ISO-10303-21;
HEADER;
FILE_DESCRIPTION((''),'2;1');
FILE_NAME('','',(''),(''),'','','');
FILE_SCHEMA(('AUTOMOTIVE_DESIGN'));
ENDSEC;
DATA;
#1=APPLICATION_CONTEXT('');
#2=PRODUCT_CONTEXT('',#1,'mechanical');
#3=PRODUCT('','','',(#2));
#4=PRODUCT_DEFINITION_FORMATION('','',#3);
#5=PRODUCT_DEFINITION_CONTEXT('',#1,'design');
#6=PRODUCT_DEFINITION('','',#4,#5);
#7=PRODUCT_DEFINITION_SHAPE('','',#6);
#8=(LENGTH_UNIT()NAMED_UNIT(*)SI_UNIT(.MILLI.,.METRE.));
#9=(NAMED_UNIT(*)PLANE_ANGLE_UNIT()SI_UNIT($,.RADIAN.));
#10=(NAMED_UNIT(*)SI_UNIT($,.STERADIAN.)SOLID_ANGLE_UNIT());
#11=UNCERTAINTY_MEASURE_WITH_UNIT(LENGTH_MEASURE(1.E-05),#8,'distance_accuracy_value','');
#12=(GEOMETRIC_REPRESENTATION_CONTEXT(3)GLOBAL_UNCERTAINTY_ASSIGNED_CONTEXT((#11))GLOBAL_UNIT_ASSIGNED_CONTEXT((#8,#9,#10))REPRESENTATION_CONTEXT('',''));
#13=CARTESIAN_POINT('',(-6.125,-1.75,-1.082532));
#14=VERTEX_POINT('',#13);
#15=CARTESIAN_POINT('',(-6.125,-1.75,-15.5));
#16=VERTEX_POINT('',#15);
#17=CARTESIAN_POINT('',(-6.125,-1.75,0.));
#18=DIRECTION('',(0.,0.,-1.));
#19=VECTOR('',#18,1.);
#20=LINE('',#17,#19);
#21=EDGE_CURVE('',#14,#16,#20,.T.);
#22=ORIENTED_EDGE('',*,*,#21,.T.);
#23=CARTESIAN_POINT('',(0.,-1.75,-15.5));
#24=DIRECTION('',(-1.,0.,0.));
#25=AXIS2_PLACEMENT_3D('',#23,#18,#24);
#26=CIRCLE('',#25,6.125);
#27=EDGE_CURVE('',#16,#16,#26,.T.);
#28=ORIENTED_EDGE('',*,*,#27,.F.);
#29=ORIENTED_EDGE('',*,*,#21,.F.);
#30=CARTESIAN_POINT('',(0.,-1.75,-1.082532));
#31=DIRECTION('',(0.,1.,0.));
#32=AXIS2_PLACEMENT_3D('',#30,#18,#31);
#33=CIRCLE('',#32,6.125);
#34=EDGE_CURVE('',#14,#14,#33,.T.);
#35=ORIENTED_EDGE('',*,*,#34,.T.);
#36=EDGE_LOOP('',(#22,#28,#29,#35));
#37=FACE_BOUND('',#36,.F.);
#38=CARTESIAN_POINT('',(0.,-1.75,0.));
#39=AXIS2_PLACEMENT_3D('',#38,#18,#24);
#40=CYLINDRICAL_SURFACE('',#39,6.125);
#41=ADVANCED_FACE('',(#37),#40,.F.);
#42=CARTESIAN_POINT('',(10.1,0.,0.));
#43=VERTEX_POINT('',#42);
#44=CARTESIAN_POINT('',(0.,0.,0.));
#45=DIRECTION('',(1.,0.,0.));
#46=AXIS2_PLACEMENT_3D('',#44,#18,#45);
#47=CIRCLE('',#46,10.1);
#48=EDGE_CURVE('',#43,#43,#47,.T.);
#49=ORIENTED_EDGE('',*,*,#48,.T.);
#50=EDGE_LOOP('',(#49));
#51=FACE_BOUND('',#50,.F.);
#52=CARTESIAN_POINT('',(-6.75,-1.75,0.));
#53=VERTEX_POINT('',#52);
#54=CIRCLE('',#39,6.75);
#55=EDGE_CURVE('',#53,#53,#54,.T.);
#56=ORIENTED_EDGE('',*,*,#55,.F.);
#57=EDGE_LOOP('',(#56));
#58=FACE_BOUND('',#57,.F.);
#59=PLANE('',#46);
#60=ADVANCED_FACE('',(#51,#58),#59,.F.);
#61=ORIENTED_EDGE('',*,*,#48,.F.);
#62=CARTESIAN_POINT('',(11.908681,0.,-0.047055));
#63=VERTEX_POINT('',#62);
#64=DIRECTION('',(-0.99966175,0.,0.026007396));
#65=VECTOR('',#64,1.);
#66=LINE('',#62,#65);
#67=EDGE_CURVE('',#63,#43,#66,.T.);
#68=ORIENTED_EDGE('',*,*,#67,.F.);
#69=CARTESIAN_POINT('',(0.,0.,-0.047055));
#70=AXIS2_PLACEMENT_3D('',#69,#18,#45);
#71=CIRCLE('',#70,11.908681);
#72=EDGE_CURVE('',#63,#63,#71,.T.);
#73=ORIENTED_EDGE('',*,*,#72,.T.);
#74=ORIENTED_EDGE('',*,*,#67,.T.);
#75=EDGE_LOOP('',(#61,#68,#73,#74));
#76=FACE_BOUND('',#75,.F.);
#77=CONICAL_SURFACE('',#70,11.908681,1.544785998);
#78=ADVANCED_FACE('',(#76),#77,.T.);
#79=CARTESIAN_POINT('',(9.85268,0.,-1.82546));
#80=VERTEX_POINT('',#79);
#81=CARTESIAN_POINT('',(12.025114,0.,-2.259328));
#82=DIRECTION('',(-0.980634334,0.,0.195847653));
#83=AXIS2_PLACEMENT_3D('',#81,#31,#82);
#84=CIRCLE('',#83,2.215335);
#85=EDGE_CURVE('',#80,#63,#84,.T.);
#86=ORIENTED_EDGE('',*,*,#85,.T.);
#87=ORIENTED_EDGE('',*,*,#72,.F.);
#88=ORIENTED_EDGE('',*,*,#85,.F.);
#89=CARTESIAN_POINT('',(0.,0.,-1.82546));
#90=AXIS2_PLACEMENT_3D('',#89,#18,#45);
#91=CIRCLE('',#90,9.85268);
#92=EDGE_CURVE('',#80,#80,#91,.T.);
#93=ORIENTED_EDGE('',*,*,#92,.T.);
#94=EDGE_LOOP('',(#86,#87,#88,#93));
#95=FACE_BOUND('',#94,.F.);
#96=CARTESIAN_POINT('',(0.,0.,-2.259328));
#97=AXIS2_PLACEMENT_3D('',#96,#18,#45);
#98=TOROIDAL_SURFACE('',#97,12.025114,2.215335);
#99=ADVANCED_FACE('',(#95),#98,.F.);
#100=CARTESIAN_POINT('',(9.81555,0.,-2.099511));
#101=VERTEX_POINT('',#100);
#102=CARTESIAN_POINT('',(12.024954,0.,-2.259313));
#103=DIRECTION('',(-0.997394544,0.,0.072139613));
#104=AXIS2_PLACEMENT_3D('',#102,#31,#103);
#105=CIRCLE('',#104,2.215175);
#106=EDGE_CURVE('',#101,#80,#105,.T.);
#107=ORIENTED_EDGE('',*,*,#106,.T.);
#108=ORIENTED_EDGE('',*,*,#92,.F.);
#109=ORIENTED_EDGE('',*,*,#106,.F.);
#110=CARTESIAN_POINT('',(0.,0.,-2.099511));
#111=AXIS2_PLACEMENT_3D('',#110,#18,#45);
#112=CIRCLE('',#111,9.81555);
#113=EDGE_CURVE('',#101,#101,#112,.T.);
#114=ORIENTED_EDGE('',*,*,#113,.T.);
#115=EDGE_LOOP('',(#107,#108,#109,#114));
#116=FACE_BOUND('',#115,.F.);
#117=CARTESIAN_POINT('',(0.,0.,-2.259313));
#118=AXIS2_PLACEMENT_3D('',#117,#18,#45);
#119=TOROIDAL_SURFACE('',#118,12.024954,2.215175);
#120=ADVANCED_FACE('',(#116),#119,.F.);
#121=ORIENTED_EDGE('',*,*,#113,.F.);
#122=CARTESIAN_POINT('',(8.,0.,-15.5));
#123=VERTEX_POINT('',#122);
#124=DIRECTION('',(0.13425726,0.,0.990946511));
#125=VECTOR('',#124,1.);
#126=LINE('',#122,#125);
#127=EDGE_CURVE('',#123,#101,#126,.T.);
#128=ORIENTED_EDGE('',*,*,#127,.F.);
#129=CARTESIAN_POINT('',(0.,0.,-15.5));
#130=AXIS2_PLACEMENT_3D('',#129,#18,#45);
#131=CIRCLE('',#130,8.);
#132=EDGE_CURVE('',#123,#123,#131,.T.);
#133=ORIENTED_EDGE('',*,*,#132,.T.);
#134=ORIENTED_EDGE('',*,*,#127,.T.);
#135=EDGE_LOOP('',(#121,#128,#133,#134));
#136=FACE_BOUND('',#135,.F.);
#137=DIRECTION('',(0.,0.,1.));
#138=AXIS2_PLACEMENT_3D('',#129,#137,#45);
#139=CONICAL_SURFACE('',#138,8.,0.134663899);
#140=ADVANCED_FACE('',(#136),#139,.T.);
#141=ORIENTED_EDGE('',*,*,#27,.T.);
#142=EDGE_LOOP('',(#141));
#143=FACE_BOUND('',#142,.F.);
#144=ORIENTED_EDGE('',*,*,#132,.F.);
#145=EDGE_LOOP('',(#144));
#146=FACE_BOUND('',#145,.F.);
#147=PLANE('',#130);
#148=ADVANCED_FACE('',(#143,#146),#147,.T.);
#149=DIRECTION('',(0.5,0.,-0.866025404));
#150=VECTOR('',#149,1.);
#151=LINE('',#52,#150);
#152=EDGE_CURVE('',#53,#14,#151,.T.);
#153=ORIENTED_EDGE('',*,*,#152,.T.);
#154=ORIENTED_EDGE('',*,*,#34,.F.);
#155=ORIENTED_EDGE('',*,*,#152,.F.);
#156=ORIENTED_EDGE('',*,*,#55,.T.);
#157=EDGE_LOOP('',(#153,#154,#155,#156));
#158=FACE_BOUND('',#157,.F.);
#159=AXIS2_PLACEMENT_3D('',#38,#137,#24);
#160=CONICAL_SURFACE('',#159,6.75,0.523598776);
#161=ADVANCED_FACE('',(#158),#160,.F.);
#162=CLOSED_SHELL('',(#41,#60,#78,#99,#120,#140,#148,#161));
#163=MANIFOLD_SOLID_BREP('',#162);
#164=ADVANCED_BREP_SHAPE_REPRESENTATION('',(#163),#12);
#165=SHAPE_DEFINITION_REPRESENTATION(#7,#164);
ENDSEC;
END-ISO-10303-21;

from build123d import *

# Parameters (mm, degrees)
F3_D           = 12.25
F3_CSINK_D     = 13.5
F3_CSINK_ANGLE = 60


with BuildPart() as f1:
    # F0 (on Front) → F1 (revolve)
    with BuildSketch(Plane.XZ):
        with BuildLine():
            Line((10.1, 0), (0, 0))
            Line((0, 0), (0, -15.5))
            Line((0, -15.5), (8, -15.5))
            Line((8, -15.5), (9.81555, -2.099511))
            ThreePointArc((9.81555, -2.099511), (9.829834, -1.961906), (9.85268, -1.82546))
            Line((9.85268, -1.82546), (10.1, 0))
        make_face()
        with BuildLine():
            Line((11.908681, -0.047055), (10.1, 0))
            Line((10.1, 0), (9.85268, -1.82546))
            ThreePointArc((9.85268, -1.82546), (10.575835, -0.583828), (11.908681, -0.047055))
        make_face()
    revolve(axis=Axis((0, 0, -7.75), (0, 0, -1)))

    # F3 (through all)
    with Locations(Plane.XY):
        with Locations((0, -1.75)):
            CounterSinkHole(F3_D / 2, F3_CSINK_D / 2, counter_sink_angle=F3_CSINK_ANGLE)


solid = f1.part
